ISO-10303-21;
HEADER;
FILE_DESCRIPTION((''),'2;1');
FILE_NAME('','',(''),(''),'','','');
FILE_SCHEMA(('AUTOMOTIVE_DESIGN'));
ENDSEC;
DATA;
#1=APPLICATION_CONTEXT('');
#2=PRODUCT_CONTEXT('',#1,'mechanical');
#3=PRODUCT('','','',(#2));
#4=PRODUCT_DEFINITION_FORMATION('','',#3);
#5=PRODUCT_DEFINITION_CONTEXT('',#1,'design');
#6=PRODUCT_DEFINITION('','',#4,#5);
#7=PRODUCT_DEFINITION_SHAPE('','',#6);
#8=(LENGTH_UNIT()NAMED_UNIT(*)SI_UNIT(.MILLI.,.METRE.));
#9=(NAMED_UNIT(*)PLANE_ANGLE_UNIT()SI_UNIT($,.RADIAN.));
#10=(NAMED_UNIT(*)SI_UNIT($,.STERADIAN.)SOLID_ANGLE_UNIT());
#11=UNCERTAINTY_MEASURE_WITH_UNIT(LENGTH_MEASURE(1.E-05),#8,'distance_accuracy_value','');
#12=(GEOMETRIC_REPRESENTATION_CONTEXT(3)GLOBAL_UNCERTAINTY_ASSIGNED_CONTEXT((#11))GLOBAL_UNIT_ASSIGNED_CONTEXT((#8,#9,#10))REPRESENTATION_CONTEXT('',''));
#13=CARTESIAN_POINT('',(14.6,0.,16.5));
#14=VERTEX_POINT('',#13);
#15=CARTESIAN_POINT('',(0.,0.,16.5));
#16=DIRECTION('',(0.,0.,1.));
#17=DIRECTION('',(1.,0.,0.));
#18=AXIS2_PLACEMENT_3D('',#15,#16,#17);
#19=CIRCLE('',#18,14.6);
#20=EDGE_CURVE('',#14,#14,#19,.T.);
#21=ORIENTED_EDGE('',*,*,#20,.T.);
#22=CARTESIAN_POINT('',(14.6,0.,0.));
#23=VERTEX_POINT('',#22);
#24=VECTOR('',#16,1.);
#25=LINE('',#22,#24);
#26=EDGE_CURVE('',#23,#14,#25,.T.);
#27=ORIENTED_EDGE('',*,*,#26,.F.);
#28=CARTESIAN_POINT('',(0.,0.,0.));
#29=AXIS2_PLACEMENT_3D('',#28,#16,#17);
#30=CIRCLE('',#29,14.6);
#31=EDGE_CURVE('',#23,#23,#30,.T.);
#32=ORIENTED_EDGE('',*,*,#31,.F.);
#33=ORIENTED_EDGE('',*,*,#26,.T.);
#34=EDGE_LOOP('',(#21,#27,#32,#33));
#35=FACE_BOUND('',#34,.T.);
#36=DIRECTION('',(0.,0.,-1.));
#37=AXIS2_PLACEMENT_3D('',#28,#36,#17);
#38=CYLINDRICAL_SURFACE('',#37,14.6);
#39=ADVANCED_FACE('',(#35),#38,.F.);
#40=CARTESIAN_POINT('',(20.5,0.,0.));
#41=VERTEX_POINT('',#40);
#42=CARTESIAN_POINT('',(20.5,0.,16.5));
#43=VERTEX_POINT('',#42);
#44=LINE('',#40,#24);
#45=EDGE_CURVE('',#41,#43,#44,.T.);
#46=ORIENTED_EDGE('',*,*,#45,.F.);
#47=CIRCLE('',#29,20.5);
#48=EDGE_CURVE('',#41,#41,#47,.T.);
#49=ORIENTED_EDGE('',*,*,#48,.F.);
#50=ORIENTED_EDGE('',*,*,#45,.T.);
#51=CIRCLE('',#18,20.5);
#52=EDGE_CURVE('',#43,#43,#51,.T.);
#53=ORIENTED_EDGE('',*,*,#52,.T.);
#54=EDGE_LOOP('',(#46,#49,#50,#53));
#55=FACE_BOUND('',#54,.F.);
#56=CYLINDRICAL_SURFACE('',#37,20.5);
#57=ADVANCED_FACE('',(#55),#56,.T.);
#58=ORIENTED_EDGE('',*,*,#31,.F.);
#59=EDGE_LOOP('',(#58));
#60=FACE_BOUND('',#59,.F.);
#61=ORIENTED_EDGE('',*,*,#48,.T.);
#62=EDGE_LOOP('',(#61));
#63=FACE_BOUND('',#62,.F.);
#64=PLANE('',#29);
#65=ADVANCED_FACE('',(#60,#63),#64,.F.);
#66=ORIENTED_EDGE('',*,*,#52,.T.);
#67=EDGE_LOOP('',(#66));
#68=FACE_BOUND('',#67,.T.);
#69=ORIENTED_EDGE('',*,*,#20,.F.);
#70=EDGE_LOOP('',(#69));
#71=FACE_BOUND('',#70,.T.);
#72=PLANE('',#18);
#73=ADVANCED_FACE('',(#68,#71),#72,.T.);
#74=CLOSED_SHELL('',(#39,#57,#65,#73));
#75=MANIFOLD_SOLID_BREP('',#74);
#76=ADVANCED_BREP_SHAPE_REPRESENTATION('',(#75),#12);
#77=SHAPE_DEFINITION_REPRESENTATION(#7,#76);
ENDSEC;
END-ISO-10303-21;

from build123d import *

# Parameters (mm, degrees)
SKETCH_R   = 20.5
SKETCH_R_2 = 14.6
PAD_DEPTH  = 16.5


with BuildPart() as part:
    # Sketch → Pad (new body)
    with BuildSketch(Plane.XY):
        Circle(SKETCH_R)
        Circle(SKETCH_R_2, mode=Mode.SUBTRACT)
    extrude(amount=PAD_DEPTH)


solid = part.part
